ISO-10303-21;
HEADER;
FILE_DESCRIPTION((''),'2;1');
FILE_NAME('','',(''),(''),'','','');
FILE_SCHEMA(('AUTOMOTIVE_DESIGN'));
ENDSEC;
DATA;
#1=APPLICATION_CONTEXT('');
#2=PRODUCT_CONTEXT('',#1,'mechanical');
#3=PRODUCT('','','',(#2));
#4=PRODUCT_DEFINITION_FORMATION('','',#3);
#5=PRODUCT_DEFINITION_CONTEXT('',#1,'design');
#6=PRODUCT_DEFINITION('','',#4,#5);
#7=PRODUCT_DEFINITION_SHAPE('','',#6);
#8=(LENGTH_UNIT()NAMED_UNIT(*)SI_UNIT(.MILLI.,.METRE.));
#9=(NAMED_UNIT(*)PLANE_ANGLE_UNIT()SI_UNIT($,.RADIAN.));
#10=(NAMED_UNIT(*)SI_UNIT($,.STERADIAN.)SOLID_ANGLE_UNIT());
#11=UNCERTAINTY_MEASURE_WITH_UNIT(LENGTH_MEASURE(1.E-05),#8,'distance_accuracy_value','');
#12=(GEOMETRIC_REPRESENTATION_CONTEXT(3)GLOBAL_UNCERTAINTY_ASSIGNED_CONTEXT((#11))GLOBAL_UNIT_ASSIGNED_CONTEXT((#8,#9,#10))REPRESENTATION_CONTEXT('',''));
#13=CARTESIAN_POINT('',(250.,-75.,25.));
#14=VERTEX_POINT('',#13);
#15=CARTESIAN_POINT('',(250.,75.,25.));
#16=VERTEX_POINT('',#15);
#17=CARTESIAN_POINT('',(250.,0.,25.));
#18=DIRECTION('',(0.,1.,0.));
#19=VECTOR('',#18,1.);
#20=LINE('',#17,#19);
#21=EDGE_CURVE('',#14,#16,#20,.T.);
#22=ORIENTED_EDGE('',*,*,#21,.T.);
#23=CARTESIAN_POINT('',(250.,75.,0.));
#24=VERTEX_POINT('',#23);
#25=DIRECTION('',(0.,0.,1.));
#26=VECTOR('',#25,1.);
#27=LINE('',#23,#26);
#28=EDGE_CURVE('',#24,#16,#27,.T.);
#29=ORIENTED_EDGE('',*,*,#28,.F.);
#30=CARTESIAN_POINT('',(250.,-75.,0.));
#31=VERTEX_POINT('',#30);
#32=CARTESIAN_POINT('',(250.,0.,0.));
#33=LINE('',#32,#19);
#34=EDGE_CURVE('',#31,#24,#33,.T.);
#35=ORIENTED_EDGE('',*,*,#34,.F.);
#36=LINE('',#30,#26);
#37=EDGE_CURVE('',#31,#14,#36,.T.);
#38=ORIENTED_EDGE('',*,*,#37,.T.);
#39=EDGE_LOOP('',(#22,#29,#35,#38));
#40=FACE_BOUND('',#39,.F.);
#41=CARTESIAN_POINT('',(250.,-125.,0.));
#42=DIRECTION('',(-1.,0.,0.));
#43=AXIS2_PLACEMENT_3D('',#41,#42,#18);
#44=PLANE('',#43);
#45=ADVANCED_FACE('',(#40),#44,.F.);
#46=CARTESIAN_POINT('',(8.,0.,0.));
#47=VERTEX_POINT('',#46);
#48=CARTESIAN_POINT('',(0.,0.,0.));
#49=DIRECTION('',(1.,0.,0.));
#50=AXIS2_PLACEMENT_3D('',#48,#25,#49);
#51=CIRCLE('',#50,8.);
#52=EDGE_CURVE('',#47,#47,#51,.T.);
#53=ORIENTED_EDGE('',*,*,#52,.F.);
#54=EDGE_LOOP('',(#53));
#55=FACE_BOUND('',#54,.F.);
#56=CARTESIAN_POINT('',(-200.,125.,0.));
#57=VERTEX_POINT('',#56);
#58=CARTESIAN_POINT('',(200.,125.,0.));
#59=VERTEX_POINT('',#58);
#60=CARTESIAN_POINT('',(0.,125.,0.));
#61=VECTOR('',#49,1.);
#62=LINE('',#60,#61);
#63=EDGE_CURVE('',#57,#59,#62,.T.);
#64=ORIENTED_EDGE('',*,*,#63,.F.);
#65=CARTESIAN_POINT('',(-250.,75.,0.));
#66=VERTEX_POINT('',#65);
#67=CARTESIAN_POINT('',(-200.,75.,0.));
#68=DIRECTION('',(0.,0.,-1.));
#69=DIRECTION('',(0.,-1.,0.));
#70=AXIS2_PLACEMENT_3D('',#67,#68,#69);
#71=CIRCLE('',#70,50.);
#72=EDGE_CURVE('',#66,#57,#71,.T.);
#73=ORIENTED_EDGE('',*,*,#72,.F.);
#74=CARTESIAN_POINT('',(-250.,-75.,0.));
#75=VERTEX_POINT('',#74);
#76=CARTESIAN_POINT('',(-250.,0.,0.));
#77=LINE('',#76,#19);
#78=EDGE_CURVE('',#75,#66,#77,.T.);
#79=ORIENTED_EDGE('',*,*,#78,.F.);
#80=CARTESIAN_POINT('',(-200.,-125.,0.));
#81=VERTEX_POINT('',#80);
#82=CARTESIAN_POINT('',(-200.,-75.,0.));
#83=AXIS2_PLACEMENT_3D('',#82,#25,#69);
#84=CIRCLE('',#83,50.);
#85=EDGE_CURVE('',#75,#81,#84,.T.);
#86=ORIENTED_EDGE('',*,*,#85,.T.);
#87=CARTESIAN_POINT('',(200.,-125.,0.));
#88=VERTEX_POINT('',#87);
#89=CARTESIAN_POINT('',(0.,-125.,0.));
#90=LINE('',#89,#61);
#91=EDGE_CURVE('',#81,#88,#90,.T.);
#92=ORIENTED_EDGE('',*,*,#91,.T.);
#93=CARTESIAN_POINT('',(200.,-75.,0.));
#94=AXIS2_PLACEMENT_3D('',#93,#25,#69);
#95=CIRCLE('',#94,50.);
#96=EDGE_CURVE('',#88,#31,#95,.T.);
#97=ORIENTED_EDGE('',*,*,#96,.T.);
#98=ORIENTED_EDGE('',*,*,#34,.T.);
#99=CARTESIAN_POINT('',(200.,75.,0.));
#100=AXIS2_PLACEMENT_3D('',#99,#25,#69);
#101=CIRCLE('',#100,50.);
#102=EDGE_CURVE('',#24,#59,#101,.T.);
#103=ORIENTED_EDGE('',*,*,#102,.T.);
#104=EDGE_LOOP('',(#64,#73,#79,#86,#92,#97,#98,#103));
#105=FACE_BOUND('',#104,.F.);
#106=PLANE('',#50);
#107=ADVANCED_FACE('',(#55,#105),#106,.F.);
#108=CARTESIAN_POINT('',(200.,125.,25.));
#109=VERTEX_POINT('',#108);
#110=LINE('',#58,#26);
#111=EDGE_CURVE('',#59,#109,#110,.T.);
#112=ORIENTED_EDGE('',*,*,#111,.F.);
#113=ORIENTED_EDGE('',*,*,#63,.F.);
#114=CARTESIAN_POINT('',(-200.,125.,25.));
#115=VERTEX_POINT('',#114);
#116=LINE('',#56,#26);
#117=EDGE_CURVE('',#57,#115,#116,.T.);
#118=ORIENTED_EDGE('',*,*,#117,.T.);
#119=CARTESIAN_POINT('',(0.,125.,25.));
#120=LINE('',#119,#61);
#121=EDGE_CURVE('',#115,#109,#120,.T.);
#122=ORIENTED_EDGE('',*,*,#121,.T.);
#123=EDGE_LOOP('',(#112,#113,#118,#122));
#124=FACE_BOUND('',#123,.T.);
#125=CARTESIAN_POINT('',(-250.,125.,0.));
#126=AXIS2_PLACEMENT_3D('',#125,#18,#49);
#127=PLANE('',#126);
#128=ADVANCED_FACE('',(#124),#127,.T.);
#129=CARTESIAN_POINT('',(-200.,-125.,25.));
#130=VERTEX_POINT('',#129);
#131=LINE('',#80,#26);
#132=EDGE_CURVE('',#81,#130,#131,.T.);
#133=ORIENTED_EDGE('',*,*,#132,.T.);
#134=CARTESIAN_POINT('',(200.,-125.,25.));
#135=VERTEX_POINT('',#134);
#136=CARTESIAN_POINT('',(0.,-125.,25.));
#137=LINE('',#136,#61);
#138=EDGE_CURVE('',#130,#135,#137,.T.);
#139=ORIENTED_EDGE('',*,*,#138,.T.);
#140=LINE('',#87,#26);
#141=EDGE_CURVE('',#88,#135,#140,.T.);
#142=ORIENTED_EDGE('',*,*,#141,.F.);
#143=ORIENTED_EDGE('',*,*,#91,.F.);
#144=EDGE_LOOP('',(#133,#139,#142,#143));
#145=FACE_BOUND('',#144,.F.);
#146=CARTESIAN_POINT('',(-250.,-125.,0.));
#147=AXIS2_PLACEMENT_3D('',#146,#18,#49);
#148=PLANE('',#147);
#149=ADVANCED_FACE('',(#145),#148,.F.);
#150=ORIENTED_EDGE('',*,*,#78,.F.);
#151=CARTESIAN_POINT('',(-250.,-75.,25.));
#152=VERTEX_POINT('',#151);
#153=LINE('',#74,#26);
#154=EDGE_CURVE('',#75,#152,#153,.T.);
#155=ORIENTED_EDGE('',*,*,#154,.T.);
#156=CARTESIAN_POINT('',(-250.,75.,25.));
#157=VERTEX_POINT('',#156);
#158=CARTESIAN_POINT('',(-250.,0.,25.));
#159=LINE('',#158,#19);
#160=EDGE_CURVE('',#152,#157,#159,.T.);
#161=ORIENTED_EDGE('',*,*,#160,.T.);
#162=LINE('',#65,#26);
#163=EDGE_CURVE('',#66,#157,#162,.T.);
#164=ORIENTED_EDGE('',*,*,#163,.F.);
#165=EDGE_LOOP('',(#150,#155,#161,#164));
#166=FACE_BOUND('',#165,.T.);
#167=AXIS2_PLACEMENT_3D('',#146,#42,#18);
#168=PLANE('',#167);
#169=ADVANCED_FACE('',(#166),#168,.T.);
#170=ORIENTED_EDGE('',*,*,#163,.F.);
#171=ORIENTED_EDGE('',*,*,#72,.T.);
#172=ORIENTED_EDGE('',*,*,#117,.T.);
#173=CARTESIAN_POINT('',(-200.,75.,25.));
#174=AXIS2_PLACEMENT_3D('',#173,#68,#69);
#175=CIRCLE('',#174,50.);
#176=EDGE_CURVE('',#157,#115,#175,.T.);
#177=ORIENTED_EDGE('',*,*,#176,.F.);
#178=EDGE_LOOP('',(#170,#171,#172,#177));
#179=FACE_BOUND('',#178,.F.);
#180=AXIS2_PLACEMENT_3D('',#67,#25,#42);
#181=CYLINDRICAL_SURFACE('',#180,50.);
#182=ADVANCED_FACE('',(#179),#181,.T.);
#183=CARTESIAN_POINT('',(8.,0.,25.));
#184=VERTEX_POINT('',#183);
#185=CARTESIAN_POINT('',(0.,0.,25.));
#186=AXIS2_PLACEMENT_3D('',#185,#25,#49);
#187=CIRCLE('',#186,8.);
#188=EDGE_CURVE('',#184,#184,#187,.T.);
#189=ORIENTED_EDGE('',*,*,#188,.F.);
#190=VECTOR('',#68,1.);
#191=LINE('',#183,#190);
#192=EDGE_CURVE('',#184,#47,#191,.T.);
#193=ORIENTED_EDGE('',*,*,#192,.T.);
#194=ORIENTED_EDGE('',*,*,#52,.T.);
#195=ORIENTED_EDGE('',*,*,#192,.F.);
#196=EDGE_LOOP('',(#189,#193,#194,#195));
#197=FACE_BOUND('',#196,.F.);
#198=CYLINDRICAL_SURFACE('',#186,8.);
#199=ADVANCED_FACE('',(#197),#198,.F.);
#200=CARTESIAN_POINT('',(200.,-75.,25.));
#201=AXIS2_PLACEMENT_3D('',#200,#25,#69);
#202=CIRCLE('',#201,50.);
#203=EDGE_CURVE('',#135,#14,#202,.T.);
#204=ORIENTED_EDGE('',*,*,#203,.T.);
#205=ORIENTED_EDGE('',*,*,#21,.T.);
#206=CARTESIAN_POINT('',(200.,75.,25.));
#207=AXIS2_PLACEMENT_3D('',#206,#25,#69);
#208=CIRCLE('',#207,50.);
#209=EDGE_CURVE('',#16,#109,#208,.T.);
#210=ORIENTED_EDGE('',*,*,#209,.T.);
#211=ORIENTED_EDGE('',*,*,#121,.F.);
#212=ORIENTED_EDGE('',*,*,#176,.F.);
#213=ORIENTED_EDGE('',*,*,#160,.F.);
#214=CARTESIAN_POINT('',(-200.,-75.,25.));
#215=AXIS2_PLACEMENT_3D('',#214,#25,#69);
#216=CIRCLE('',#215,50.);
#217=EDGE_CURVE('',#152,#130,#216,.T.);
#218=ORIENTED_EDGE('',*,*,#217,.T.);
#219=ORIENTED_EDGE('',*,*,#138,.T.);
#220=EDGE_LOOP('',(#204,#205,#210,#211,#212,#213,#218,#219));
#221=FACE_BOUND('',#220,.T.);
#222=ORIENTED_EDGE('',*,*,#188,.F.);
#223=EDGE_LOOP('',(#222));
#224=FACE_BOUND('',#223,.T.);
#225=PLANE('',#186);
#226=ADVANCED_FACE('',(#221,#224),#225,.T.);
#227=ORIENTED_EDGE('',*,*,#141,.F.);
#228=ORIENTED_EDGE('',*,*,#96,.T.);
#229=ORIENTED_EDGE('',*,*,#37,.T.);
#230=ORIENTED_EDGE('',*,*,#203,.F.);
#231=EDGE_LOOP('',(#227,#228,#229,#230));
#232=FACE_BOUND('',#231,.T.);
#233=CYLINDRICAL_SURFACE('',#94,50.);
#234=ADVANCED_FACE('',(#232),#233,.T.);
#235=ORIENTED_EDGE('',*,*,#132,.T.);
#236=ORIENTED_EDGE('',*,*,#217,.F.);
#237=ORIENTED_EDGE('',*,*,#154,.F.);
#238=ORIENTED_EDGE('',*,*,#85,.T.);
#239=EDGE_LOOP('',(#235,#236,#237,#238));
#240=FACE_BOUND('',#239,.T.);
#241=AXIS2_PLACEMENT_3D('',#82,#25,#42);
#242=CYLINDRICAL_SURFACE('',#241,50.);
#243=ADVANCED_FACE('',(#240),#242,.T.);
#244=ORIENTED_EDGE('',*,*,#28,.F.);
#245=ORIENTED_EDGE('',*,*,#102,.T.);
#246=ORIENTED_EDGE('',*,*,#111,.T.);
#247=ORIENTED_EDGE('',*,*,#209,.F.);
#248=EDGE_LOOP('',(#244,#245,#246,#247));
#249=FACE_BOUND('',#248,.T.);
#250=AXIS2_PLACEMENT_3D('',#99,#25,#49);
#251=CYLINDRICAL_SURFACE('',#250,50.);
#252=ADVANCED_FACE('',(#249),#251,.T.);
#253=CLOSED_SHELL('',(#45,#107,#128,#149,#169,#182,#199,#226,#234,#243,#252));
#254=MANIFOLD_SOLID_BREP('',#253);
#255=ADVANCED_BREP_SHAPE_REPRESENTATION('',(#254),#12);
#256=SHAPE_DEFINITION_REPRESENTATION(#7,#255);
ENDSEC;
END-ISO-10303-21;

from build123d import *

# Parameters (mm, degrees)
F0_W     = 500
F0_H     = 250
F1_DEPTH = 25
F2_R     = 50
F3_R     = 8
F4_DEPTH = 25.001


with BuildPart() as f1:
    # F0 (on Top) → F1 (new body)
    with BuildSketch(Plane.XY):
        Rectangle(F0_W, F0_H)
    extrude(amount=F1_DEPTH)

    # F2
    f2_edges = [f1.edges().sort_by_distance(p)[0] for p in [
        (-250, -125, 12.5),
        (250, -125, 12.5),
        (250, 125, 12.5),
        (-250, 125, 12.5),
    ]]
    fillet(f2_edges, radius=F2_R)

    # F3 (on face) → F4 (cut, through all)
    with BuildSketch(Plane.XY.offset(25)):
        Circle(F3_R)
    extrude(amount=-F4_DEPTH, mode=Mode.SUBTRACT)


solid = f1.part
